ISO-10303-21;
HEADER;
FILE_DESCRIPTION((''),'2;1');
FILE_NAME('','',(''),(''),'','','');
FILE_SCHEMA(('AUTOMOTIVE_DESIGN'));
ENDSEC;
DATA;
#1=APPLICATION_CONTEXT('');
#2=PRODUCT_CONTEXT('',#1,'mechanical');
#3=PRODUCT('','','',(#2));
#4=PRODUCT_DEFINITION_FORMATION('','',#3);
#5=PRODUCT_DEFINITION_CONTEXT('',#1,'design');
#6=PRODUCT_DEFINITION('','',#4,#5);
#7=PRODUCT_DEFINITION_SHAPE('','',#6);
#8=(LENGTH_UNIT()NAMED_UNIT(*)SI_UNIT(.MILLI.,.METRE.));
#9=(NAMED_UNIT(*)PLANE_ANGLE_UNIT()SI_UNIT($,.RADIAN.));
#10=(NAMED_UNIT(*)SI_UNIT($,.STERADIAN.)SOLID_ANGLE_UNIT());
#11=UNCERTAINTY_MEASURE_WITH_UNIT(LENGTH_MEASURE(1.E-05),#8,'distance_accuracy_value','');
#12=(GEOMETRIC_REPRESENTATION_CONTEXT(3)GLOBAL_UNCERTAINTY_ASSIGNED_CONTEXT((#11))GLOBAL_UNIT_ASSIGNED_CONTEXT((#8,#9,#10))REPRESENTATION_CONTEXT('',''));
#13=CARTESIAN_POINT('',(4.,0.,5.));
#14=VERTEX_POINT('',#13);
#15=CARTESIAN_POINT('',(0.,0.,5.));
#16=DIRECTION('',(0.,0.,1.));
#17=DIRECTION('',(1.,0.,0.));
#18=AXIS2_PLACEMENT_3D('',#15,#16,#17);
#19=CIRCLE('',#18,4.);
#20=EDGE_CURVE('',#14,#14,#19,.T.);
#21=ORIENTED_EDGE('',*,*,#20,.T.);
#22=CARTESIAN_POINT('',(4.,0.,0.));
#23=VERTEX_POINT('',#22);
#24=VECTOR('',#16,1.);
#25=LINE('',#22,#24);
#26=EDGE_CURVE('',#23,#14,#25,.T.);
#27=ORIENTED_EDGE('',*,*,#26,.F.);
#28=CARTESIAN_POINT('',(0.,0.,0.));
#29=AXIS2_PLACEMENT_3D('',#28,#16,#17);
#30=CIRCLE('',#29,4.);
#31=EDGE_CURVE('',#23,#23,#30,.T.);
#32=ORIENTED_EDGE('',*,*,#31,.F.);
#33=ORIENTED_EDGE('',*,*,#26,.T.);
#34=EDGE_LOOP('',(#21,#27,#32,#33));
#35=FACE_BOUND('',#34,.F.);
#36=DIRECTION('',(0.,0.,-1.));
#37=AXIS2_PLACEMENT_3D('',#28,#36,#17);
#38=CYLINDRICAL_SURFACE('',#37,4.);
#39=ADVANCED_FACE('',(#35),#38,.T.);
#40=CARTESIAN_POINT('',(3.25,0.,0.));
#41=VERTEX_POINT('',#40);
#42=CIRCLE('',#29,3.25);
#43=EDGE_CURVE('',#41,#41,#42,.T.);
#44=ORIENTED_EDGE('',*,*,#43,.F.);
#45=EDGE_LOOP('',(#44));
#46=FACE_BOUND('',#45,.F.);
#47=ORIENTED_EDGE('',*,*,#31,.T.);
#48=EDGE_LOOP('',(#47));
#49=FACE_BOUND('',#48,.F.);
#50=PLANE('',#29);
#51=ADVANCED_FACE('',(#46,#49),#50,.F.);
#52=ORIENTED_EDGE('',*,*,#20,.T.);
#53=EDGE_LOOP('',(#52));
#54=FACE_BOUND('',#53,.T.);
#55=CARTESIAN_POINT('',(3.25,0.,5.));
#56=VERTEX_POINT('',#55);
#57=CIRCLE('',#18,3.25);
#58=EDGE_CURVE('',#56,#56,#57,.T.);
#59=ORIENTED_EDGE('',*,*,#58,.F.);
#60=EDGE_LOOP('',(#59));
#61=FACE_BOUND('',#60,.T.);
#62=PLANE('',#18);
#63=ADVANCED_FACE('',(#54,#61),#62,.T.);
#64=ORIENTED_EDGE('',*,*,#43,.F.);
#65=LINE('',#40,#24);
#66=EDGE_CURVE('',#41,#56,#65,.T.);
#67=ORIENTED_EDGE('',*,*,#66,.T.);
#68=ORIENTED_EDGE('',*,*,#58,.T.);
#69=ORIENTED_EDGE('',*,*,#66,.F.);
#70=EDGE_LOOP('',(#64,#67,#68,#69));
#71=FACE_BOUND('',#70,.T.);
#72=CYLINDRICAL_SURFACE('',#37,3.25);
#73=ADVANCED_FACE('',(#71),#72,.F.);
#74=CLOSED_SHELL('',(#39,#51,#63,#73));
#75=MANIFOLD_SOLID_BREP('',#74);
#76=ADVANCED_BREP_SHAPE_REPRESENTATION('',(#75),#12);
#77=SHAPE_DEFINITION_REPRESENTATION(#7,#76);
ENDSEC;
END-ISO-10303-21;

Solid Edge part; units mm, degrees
sketch "Sketch1" plane through (0, 0, 0) normal (0, 0, 1) x (1, 0, 0)
  circle A0 centre (0, 0) radius 4
  circle A1 centre (0, 0) radius 3.25
extrude "Protrusion1" add sketch "Sketch1" along normal blind 5
